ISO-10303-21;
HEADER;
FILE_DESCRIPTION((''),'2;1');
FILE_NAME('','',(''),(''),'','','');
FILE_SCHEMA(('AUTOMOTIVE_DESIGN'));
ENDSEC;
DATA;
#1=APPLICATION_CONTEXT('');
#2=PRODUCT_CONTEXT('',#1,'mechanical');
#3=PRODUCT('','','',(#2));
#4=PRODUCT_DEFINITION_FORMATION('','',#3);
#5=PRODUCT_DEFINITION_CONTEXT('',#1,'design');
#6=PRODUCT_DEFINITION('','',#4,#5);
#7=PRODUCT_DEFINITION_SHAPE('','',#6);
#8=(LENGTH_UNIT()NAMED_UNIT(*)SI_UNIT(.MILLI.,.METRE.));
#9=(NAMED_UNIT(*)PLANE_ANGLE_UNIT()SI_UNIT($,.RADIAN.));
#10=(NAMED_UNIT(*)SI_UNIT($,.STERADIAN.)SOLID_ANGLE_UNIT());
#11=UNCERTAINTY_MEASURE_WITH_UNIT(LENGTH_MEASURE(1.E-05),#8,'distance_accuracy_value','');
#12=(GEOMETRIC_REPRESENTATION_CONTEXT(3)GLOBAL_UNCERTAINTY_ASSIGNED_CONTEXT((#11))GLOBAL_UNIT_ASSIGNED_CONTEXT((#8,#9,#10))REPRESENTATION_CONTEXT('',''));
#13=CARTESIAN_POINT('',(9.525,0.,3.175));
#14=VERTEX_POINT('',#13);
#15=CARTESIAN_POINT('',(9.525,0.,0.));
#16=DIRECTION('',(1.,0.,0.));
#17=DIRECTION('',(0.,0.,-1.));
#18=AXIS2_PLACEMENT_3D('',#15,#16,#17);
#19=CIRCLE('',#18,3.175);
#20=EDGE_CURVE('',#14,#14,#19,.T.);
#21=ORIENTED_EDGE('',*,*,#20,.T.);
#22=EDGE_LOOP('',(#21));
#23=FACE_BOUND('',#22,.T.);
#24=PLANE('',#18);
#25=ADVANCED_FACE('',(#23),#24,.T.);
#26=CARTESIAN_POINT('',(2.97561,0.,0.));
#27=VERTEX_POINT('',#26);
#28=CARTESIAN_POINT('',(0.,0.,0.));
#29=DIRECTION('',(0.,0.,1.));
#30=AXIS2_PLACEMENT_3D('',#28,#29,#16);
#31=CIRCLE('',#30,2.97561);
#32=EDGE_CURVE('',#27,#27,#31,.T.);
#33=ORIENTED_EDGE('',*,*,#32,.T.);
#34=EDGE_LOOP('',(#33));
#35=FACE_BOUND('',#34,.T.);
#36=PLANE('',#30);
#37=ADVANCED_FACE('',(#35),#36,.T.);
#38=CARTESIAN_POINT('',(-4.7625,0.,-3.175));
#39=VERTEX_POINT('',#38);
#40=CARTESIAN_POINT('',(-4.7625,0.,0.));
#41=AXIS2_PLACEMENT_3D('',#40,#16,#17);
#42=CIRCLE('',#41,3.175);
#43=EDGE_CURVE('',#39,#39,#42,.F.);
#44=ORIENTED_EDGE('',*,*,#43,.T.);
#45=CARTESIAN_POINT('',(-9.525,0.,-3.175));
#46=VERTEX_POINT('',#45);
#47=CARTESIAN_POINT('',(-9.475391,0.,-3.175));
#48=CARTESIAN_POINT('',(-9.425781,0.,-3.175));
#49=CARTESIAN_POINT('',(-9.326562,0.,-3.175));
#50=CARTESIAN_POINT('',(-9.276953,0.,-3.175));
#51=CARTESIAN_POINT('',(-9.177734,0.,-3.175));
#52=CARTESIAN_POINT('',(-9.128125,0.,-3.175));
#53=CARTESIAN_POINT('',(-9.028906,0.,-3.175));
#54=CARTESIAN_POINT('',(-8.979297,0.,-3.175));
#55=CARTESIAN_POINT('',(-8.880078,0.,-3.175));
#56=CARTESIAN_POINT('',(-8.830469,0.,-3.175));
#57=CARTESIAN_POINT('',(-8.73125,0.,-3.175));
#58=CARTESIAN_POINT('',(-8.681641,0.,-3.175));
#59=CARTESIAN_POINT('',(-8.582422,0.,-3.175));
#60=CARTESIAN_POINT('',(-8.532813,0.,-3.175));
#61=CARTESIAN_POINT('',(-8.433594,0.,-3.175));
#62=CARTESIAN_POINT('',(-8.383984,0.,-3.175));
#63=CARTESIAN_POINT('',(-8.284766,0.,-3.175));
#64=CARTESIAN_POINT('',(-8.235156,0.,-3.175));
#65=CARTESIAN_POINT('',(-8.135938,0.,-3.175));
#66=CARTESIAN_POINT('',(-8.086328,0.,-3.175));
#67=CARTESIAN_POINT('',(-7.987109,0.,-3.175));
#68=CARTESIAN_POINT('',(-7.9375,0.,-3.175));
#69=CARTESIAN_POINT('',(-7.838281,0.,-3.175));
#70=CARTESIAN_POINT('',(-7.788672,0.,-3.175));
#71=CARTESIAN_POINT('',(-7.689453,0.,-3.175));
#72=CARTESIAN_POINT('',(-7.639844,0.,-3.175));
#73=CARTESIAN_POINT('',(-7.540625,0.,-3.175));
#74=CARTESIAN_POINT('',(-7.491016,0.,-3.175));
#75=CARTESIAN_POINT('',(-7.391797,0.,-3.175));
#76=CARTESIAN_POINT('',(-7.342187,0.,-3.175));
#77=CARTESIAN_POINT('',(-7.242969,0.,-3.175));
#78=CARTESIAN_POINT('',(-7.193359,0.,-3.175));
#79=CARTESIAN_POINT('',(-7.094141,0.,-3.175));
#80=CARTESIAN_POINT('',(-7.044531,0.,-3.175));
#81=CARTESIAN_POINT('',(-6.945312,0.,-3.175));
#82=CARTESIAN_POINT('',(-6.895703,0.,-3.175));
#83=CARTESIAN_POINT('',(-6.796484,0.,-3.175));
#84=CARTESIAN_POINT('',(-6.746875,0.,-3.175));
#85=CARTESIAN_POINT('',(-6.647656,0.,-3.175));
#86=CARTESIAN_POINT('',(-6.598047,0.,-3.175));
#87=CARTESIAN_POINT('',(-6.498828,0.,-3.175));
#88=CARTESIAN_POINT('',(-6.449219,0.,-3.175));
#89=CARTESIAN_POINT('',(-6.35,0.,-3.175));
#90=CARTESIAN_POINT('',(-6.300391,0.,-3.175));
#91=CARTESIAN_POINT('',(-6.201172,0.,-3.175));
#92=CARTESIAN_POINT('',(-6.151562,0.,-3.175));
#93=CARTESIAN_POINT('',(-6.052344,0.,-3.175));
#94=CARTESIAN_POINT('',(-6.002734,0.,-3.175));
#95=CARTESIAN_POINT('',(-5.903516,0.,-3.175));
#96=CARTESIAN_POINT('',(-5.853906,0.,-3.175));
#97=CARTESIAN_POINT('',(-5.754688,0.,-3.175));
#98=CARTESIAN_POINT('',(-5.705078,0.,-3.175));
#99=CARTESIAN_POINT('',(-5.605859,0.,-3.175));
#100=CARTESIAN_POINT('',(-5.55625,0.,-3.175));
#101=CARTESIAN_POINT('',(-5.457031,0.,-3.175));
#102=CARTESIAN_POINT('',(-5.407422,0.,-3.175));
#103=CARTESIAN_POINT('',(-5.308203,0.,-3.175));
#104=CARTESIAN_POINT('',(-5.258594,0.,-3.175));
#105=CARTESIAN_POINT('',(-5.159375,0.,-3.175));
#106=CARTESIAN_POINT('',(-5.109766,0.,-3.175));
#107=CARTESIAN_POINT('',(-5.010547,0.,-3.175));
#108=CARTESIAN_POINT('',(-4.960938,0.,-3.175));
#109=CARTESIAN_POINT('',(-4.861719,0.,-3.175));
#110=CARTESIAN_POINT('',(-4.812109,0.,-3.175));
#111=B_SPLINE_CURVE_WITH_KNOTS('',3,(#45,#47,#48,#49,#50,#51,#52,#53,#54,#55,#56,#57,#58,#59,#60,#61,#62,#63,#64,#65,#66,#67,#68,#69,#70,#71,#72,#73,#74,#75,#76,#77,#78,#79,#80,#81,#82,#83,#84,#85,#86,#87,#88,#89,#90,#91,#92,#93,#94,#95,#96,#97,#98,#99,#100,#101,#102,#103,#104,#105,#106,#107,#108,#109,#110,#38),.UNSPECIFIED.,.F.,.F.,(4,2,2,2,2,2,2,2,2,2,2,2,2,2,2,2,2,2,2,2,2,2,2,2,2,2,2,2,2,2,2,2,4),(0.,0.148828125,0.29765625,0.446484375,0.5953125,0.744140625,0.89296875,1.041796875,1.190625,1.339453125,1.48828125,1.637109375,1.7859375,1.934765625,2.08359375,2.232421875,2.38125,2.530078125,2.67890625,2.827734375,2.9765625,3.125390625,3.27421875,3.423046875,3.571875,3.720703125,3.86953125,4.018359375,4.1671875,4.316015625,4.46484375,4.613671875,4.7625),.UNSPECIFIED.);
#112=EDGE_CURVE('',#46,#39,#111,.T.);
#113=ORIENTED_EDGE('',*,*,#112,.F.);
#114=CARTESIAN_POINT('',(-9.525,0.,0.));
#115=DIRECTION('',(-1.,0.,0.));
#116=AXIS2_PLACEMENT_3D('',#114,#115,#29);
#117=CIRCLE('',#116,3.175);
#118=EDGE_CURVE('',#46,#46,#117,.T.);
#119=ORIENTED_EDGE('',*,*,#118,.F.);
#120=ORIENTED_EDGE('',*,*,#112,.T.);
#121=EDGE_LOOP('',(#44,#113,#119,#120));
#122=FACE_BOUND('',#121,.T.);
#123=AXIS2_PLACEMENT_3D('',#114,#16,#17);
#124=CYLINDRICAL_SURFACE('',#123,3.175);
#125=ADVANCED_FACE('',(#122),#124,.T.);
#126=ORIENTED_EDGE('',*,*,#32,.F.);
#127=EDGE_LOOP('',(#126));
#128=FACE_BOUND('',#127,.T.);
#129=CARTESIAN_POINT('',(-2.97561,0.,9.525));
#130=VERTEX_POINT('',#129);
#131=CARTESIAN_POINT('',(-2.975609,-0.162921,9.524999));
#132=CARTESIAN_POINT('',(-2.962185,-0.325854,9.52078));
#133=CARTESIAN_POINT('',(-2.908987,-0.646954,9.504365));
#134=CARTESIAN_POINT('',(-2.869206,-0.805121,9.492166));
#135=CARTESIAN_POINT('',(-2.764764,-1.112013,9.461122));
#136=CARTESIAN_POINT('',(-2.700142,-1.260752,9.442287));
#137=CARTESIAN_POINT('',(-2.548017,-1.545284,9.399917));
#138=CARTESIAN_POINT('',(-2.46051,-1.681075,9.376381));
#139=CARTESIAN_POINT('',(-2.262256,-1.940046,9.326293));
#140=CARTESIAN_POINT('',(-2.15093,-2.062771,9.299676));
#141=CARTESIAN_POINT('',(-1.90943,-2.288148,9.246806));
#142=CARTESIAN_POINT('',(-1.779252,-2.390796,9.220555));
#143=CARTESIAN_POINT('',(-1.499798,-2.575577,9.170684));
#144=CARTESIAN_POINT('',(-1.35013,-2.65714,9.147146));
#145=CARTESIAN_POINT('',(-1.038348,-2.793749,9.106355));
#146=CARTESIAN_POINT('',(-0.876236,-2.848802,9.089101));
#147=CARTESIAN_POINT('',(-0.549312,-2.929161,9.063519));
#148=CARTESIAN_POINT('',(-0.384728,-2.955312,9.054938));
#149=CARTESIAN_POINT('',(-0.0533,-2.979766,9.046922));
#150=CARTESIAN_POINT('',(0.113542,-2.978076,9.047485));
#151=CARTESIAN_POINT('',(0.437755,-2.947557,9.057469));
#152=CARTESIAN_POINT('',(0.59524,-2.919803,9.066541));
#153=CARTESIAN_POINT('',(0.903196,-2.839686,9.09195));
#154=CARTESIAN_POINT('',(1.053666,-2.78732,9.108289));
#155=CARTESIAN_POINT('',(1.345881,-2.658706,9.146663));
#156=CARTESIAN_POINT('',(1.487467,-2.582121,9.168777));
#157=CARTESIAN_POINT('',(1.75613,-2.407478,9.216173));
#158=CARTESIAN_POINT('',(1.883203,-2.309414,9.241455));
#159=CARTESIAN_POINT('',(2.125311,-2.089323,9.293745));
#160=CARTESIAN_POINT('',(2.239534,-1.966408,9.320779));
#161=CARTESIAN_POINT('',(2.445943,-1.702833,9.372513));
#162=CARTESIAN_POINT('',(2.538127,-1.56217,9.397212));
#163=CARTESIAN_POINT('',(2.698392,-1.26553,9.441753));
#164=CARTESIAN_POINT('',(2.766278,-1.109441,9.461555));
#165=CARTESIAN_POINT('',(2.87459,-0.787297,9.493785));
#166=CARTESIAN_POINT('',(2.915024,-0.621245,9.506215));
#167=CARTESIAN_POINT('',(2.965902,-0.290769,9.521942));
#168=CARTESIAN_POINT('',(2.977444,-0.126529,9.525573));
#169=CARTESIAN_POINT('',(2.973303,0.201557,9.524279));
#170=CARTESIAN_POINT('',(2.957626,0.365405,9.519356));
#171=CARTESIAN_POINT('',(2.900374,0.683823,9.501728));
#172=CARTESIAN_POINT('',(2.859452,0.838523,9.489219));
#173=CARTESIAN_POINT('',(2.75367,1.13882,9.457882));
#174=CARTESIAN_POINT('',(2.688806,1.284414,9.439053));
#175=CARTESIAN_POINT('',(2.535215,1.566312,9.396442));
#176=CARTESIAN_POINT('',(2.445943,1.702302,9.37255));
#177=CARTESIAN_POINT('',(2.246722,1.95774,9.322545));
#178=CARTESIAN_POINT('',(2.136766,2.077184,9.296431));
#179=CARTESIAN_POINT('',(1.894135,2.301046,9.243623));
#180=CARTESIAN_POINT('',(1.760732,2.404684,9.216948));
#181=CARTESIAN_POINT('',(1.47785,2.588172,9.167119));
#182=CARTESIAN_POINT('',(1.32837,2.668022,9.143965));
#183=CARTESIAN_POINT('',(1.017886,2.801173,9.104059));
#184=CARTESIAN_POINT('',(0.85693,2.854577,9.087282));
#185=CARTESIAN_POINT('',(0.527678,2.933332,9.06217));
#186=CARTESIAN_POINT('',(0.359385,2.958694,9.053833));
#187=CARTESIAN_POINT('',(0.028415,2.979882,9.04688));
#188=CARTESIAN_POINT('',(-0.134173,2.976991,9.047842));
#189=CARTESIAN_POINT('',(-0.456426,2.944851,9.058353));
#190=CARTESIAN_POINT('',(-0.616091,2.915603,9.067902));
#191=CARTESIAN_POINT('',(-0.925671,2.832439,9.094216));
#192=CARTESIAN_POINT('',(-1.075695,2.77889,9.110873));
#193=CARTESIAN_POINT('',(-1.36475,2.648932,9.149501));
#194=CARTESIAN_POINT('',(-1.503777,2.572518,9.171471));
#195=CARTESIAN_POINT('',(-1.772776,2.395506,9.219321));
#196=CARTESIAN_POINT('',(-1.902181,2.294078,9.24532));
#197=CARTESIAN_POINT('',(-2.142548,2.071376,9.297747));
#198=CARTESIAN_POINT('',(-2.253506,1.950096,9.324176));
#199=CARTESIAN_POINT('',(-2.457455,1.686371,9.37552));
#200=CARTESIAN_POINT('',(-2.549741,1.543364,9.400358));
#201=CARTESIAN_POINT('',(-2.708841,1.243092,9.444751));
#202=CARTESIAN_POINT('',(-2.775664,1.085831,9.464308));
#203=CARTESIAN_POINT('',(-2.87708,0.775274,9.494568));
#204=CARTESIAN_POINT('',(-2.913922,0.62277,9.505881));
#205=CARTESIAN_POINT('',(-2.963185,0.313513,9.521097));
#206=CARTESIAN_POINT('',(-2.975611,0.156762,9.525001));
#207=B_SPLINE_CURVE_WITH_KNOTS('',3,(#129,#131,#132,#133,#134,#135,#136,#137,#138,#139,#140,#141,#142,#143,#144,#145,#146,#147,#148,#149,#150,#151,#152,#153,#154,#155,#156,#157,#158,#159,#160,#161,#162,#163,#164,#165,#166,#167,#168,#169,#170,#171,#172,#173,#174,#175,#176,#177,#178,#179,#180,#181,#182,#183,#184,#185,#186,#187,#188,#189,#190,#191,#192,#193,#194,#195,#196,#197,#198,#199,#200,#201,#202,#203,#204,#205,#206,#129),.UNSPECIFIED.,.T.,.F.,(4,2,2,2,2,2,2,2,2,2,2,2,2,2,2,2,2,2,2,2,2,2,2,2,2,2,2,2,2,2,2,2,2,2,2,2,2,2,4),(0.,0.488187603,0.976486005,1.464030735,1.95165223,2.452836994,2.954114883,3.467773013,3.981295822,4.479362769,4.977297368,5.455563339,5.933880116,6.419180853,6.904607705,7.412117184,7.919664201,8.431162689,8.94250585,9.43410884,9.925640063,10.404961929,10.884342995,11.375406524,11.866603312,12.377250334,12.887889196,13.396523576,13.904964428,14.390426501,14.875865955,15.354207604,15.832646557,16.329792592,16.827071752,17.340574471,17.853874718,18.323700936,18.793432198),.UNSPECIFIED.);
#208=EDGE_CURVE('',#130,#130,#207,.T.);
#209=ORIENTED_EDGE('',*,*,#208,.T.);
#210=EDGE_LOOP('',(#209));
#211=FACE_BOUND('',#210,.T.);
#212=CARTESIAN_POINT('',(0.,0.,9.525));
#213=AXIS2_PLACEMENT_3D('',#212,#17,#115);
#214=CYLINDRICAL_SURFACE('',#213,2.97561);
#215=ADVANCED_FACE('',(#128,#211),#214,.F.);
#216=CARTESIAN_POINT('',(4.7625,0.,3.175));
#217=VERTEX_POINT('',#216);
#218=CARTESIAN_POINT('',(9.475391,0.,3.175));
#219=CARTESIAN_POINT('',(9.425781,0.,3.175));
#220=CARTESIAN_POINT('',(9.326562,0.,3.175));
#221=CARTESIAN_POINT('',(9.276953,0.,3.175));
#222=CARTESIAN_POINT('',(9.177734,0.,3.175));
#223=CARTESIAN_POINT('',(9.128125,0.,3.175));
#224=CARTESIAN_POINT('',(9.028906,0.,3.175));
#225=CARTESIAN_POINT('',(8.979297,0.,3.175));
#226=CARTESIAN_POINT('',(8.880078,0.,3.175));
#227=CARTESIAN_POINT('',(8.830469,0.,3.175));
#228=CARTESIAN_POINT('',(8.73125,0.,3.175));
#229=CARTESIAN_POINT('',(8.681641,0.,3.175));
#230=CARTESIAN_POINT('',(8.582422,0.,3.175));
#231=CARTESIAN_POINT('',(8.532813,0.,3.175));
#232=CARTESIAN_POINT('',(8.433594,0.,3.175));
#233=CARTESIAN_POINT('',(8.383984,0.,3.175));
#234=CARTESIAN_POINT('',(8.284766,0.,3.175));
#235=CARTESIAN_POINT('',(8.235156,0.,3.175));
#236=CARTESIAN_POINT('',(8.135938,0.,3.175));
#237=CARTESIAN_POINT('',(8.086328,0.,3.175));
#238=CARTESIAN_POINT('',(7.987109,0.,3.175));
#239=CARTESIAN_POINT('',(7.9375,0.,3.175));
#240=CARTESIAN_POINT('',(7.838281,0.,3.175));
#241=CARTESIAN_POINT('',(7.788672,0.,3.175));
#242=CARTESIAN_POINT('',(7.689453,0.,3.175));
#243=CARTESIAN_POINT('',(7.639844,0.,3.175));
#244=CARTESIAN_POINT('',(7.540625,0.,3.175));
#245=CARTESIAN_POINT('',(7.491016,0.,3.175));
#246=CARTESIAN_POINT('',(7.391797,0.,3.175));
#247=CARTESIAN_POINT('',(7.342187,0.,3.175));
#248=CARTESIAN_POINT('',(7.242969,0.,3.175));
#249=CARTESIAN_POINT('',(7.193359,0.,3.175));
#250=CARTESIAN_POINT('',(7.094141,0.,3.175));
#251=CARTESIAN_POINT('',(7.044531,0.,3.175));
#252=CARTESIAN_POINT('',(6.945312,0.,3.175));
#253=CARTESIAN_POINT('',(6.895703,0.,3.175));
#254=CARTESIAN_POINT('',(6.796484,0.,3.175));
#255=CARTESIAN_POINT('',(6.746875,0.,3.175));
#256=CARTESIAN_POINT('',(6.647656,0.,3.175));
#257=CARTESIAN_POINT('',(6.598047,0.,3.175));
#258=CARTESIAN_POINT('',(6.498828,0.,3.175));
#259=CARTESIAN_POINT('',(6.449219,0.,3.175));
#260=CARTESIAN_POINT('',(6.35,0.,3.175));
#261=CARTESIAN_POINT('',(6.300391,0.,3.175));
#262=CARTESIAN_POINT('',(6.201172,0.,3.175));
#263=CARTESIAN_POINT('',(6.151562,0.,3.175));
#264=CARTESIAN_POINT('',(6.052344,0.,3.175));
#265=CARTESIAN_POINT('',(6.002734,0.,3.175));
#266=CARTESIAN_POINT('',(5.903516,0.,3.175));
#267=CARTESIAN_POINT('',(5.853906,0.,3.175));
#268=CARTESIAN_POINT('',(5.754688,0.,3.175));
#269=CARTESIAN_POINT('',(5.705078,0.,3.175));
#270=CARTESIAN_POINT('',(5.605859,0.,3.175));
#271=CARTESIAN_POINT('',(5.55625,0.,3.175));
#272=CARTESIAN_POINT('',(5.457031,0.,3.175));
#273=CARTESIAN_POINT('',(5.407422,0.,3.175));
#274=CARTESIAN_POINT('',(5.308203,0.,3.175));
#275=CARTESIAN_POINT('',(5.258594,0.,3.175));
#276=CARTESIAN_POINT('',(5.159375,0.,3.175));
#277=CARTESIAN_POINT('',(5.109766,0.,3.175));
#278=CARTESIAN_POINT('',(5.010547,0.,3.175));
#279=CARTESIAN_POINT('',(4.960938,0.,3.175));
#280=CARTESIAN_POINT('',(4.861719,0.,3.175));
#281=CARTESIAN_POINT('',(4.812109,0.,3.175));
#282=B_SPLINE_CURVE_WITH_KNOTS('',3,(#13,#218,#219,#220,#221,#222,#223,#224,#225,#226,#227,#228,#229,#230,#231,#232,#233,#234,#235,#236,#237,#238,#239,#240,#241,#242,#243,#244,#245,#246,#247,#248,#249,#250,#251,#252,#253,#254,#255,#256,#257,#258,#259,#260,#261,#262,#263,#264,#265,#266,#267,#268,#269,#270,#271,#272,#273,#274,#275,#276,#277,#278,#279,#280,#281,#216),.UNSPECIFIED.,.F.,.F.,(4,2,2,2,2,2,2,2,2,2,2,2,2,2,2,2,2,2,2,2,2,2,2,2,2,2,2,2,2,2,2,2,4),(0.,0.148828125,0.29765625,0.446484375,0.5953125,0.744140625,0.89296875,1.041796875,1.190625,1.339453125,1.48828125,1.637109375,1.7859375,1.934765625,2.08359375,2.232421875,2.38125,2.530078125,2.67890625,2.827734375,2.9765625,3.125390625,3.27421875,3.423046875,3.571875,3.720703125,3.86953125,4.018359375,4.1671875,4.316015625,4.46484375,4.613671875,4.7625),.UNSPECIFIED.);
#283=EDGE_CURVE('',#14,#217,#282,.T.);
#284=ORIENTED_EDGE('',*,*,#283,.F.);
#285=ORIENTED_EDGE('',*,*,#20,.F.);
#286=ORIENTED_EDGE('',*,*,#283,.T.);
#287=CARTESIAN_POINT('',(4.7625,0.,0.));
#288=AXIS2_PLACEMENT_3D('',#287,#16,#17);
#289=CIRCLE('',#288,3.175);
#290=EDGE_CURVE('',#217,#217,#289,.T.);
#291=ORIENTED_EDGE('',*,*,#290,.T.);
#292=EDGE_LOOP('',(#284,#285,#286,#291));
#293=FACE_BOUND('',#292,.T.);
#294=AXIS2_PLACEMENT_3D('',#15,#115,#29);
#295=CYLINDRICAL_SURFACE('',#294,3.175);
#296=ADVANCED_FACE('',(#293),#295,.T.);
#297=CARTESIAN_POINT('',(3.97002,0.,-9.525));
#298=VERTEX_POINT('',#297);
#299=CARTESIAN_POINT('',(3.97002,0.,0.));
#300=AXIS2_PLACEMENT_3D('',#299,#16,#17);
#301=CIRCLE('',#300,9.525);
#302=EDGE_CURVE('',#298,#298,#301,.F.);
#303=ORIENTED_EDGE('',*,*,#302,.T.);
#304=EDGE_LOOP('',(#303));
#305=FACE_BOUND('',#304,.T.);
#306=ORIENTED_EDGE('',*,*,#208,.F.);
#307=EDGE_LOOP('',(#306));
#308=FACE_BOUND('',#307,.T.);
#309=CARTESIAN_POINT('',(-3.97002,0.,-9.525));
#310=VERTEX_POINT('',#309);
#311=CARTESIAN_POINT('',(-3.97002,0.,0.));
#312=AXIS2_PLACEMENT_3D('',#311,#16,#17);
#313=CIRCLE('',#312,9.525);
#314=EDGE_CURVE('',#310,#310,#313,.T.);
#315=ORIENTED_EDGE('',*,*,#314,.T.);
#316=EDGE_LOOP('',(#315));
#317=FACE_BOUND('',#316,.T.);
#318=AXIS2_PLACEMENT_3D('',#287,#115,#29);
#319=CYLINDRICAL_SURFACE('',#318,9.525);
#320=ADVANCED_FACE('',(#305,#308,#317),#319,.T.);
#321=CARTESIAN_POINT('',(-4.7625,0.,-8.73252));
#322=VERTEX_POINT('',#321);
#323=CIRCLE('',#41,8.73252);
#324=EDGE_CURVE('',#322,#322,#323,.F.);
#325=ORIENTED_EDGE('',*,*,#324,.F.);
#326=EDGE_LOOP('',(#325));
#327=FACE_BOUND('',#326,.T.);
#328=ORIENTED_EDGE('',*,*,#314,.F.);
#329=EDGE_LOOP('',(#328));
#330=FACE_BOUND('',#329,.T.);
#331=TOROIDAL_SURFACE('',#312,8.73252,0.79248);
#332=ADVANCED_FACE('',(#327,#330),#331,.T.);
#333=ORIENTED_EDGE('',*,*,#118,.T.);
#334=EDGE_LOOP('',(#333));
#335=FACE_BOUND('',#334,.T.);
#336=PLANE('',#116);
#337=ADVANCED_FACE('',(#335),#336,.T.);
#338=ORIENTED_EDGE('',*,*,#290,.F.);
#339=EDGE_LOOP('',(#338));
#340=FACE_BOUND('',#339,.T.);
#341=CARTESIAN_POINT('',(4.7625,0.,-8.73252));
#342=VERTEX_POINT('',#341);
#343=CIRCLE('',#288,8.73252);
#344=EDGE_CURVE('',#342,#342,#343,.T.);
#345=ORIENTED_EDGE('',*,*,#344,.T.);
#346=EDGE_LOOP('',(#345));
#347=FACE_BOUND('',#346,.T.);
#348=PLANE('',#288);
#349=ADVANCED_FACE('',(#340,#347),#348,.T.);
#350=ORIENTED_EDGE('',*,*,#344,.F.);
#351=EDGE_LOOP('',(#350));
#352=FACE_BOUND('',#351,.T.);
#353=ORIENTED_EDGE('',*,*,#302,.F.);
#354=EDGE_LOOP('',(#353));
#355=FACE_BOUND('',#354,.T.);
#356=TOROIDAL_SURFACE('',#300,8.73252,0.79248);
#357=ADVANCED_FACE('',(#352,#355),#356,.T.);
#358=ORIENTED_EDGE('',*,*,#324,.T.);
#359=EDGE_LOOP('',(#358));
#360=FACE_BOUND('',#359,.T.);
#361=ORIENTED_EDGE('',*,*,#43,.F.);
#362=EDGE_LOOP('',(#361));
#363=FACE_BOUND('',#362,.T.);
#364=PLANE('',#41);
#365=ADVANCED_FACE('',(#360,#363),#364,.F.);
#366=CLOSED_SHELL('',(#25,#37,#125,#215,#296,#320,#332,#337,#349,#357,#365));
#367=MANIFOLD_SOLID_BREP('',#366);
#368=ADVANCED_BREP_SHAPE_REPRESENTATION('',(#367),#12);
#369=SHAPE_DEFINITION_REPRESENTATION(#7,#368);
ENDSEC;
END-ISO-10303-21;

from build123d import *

# Parameters (mm, degrees)
SKETCH1_R           = 9.525
BOSS_EXTRUDE1_DEPTH = 4.7625
SKETCH2_R           = 3.175
BOSS_EXTRUDE2_DEPTH = 4.7625
FILLET1_R           = 0.79248
BOSS_EXTRUDE3_START = 4.7625
SKETCH3_R           = 3.175
BOSS_EXTRUDE3_DEPTH = 4.7625
SKETCH13_R          = 2.97561
CUT_EXTRUDE1_DEPTH  = 17.497784


with BuildPart() as part:
    # Sketch1 → Boss-Extrude1 (new, symmetric)
    with BuildSketch(Plane(origin=(0, 0, 0), x_dir=(0, 0, -1), z_dir=(1, 0, 0))):
        with Locations(Location((0, 0, 0), (0, 0, 180))):
            Circle(SKETCH1_R)
    extrude(amount=BOSS_EXTRUDE1_DEPTH, both=True)

    # Sketch2 → Boss-Extrude2 (add)
    with BuildSketch(Plane(origin=(4.7625, 0, 0), x_dir=(0, 0, -1), z_dir=(1, 0, 0))):
        with Locations(Location((0, 0, 0), (0, 0, 180))):
            Circle(SKETCH2_R)
    extrude(amount=BOSS_EXTRUDE2_DEPTH)

    # Fillet1
    fillet1_edges = [part.edges().sort_by_distance(p)[0] for p in [
        (-4.7625, 0, -9.525),
        (4.7625, 0, -9.525),
    ]]
    fillet(fillet1_edges, radius=FILLET1_R)

    # Sketch3 → Boss-Extrude3 (add)
    with BuildSketch(Plane.ZY.offset(4.7625).offset(BOSS_EXTRUDE3_START)):
        Circle(SKETCH3_R)
    extrude(amount=-BOSS_EXTRUDE3_DEPTH)

    # Sketch13 → Cut-Extrude1 (cut, through all)
    with BuildSketch(Plane.XY):
        with Locations(Location((0, 0, 0), (0, 0, 180))):
            Circle(SKETCH13_R)
    extrude(amount=CUT_EXTRUDE1_DEPTH, mode=Mode.SUBTRACT)


solid = part.part
